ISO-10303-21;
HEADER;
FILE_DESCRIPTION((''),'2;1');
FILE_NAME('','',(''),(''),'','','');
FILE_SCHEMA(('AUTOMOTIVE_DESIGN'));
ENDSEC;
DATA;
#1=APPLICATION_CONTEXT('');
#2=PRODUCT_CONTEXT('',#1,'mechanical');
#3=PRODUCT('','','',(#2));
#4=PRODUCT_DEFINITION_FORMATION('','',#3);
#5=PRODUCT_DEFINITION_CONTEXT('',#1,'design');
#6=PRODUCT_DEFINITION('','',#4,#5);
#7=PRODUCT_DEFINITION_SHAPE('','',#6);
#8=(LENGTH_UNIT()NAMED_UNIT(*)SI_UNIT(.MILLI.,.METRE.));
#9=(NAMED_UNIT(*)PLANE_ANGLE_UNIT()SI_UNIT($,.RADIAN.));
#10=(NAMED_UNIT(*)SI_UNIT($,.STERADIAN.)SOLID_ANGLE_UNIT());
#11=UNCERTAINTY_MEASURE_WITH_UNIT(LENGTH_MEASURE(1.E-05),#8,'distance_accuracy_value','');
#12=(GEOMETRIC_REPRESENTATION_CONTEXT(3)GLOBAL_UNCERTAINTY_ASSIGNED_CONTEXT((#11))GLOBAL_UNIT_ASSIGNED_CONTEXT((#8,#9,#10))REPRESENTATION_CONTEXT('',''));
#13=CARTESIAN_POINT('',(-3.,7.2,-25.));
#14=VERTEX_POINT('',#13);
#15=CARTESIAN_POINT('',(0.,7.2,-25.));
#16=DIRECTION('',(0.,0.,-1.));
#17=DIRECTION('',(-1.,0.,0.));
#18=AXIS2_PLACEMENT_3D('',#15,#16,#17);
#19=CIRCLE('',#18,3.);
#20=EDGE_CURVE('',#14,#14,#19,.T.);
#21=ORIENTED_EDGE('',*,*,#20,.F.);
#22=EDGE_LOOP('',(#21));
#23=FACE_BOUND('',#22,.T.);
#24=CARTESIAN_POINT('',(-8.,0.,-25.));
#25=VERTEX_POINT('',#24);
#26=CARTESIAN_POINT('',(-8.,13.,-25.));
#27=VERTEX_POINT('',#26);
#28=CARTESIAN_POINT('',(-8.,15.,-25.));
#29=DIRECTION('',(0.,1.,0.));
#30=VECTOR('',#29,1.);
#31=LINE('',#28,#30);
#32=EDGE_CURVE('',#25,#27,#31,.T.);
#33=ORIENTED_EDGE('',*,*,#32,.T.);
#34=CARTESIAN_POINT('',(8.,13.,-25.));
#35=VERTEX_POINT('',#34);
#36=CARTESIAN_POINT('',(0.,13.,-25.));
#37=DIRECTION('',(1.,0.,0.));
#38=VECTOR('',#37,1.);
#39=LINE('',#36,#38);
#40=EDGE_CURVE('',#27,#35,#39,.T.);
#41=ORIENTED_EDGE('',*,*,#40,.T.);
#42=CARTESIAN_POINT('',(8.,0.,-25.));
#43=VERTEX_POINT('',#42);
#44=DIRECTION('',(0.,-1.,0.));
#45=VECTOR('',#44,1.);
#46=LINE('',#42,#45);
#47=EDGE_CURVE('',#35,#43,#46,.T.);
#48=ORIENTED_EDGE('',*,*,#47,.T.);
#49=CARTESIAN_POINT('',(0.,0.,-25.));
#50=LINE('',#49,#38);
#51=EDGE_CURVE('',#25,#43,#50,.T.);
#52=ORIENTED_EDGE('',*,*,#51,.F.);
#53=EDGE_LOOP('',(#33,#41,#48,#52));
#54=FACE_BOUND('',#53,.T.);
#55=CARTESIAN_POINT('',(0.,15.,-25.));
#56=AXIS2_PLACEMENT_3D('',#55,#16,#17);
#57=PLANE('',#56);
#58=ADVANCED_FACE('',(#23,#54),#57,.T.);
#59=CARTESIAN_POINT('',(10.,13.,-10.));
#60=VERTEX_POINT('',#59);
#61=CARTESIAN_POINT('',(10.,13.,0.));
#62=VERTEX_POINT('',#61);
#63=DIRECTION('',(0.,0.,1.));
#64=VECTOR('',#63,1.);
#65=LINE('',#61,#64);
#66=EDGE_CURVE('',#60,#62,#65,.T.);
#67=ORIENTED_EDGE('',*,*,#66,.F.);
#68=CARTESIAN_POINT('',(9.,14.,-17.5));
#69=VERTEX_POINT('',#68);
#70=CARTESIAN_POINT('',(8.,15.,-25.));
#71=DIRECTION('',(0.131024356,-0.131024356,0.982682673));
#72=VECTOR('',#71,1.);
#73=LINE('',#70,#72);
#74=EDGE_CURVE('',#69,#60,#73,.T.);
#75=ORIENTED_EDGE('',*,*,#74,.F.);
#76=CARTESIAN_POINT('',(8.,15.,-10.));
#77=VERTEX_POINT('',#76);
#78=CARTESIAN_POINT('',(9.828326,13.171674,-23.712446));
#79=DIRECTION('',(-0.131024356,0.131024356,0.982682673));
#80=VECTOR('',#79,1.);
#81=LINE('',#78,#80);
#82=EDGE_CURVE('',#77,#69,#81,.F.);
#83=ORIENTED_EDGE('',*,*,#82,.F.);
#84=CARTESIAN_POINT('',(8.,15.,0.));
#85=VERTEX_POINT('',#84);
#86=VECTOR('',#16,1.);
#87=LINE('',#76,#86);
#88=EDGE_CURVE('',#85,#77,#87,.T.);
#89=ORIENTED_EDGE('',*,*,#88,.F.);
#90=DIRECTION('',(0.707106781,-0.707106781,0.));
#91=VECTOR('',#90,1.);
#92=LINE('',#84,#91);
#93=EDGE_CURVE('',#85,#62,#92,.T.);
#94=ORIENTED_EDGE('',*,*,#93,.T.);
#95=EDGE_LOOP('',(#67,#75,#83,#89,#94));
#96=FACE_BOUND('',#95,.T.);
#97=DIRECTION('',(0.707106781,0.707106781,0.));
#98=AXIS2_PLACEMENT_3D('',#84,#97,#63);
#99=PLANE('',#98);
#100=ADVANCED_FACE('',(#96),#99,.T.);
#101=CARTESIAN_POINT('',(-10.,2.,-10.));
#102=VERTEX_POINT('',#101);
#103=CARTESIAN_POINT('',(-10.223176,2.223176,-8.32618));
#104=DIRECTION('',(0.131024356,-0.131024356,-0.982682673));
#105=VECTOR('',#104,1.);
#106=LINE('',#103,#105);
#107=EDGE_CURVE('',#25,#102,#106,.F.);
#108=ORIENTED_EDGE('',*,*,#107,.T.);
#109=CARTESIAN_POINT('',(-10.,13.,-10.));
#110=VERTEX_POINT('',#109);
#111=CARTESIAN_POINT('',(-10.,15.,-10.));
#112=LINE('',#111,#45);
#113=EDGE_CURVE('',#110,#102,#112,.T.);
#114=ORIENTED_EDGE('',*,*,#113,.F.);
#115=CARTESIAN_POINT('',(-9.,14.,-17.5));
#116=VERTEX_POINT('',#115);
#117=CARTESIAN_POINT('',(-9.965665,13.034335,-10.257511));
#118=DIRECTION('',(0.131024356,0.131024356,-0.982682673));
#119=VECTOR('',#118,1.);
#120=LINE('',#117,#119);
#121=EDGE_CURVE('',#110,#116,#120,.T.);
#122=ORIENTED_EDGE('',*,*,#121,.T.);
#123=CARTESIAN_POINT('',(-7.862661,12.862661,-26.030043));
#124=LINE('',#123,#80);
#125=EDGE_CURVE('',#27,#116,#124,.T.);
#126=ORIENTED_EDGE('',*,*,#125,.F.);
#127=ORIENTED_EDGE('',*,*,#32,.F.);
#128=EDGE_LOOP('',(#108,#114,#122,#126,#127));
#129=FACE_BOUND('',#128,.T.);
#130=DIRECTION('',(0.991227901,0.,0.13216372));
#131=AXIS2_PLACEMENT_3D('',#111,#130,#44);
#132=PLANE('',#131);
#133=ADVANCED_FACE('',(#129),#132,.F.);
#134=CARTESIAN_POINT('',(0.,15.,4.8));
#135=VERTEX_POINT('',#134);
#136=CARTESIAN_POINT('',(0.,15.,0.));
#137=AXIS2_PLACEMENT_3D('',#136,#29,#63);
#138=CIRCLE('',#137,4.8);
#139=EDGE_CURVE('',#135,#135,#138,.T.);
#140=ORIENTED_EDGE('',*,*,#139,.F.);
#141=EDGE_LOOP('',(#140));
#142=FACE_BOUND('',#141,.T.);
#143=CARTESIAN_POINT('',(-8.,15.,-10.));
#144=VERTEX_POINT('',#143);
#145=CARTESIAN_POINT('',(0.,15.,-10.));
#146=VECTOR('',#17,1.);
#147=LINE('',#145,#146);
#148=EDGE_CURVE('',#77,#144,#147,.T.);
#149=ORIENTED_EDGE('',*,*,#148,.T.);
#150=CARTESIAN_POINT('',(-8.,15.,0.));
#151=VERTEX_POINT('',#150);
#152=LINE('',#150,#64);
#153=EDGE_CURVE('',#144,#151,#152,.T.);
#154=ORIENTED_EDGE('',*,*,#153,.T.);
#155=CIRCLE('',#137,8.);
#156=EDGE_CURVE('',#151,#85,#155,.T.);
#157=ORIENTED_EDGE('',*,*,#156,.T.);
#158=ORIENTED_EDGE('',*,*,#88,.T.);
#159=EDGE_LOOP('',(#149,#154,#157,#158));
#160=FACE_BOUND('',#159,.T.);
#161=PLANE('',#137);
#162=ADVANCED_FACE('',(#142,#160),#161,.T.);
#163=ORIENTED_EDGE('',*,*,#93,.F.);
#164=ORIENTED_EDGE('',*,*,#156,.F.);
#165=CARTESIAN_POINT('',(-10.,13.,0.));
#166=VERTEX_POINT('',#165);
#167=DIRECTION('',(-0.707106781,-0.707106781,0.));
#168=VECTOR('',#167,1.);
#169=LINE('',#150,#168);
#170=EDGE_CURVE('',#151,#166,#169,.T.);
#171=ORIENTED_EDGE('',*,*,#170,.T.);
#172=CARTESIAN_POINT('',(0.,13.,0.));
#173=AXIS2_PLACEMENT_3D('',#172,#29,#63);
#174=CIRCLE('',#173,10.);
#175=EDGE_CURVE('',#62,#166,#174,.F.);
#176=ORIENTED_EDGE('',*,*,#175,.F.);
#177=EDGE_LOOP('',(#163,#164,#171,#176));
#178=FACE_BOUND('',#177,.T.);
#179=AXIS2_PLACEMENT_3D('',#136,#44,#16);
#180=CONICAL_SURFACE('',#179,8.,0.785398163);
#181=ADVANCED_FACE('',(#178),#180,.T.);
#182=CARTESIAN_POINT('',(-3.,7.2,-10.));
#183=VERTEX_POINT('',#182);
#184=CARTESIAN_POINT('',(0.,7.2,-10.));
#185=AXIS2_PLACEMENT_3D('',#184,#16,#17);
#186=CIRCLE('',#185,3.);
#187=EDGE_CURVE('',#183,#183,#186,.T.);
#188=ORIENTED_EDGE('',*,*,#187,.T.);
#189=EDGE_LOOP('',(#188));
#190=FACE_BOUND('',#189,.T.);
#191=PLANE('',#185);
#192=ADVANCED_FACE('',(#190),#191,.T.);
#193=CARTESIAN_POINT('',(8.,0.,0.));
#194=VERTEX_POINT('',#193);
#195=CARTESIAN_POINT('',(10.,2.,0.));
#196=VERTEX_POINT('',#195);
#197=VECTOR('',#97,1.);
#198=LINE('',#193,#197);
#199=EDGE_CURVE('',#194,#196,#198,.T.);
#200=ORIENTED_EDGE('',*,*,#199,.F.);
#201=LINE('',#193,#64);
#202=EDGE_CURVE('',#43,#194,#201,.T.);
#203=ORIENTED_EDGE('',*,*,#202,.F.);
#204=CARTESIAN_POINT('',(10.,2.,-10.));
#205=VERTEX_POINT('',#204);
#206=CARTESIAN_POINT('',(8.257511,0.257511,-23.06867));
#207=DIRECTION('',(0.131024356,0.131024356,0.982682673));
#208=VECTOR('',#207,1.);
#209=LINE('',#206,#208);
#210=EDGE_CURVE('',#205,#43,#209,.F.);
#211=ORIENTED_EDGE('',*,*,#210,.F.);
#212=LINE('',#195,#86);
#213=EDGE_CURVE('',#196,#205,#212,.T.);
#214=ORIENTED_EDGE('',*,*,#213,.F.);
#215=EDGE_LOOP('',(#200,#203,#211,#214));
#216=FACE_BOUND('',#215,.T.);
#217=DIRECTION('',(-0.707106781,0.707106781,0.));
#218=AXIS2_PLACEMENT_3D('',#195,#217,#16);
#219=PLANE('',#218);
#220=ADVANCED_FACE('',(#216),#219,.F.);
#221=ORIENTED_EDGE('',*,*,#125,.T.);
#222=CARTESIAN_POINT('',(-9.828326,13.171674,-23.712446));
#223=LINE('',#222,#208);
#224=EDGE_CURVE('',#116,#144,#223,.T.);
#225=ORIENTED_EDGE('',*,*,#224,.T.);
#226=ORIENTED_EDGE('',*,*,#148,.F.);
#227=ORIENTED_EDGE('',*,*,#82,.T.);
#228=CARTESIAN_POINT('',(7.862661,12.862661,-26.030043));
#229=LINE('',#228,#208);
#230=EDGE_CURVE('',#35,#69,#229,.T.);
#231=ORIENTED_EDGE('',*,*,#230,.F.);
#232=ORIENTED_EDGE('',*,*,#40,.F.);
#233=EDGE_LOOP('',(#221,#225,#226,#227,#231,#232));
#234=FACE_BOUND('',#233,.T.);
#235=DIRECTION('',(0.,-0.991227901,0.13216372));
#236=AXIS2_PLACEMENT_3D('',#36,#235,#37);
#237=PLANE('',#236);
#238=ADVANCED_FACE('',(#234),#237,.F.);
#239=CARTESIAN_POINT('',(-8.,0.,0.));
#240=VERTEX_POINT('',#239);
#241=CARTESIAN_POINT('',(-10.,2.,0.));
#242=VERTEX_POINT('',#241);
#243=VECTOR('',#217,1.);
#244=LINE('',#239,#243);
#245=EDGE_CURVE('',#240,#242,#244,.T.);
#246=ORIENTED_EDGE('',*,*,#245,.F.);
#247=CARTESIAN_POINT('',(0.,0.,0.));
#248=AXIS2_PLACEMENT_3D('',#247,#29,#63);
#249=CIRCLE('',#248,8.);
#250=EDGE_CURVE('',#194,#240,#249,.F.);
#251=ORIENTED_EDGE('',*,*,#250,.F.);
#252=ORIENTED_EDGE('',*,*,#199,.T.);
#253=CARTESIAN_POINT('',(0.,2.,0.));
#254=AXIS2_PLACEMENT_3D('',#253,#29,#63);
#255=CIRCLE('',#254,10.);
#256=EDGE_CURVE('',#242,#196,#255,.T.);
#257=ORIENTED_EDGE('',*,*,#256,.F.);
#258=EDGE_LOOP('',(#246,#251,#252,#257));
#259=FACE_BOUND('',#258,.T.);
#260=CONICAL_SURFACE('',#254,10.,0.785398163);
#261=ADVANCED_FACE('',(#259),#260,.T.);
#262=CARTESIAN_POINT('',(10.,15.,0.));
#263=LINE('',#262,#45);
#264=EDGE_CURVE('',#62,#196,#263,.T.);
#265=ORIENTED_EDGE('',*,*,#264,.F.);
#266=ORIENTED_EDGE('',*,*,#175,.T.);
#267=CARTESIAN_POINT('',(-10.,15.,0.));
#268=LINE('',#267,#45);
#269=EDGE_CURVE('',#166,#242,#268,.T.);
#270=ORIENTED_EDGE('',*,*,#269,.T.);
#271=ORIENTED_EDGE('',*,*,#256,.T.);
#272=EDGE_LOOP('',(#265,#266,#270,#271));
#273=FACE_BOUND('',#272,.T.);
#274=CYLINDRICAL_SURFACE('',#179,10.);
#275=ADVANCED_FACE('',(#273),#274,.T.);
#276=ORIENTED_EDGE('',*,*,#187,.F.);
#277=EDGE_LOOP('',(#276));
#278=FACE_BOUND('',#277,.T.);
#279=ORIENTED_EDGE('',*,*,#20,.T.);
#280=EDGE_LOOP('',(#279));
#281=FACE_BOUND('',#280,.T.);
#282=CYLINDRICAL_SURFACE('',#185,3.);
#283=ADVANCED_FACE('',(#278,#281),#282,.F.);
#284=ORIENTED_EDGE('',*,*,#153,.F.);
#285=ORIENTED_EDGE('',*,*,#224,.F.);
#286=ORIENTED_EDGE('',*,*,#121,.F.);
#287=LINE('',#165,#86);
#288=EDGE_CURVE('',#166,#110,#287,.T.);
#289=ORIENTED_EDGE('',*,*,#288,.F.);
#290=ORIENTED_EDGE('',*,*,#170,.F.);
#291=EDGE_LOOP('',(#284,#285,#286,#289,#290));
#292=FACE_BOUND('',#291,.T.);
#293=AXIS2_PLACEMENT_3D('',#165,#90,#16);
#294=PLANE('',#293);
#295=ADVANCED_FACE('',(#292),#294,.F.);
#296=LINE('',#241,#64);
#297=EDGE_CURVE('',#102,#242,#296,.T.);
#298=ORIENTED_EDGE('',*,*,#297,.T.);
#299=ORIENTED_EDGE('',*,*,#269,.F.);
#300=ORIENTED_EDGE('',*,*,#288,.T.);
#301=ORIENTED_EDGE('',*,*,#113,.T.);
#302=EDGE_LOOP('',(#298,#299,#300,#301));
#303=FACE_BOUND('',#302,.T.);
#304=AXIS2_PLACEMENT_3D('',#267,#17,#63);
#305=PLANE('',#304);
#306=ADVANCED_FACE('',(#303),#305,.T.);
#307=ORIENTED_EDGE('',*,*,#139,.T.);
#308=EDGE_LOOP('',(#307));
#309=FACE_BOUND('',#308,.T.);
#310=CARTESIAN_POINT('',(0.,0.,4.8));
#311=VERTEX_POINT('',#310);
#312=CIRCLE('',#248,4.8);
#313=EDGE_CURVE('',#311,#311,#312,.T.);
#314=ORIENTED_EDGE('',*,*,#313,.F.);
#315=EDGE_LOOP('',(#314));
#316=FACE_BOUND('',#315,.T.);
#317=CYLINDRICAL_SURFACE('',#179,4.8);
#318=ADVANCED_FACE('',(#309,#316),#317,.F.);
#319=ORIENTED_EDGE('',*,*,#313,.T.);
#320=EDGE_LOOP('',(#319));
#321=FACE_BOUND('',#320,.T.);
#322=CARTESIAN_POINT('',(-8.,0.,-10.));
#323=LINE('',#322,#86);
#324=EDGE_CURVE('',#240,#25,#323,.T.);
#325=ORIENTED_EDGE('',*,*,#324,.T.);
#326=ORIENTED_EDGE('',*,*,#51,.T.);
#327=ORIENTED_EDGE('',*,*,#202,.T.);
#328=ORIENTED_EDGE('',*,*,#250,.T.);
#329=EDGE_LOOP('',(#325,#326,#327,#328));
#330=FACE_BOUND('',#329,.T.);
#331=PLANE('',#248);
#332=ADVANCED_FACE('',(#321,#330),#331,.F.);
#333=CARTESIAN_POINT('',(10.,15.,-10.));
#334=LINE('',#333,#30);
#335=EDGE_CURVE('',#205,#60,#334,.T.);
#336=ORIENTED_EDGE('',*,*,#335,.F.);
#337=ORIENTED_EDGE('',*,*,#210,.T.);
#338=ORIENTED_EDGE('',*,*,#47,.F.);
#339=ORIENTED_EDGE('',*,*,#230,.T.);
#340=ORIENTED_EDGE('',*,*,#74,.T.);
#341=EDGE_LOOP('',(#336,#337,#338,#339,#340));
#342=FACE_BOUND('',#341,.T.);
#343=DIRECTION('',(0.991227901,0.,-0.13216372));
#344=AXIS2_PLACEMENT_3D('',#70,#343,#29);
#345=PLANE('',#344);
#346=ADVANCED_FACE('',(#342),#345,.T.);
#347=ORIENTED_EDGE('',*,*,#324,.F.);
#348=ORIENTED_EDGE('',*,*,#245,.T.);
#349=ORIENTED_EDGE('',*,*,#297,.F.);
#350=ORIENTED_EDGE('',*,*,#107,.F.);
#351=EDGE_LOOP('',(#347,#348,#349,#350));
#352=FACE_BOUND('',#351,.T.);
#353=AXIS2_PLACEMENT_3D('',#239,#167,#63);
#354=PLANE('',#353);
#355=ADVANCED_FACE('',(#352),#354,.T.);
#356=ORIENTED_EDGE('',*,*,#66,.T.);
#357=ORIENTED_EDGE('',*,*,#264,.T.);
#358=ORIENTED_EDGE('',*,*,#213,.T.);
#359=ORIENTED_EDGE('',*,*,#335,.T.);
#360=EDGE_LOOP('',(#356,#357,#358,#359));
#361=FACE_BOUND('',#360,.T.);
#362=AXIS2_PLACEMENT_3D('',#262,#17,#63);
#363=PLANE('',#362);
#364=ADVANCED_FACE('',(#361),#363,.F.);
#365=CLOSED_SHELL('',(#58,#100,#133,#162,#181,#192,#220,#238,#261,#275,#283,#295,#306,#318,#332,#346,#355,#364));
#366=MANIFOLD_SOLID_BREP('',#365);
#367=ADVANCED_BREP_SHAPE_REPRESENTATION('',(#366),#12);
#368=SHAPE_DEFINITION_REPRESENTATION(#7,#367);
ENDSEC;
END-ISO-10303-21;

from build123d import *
from OCP.BRepFilletAPI import BRepFilletAPI_MakeChamfer

# Parameters (mm, degrees)
BOSS_EXTRUDE1_DEPTH = 15
CHAMFER1_SIZE       = 15
CHAMFER1_SIZE2      = 2
SKETCH2_R           = 3
CUT_EXTRUDE1_DEPTH  = 15
CHAMFER2_SIZE       = 2


with BuildPart() as part:
    # Sketch1 → Boss-Extrude1 (new body)
    with BuildSketch(Plane(origin=(0, 0, 0), x_dir=(1, 0, 0), z_dir=(0, 1, 0))):
        with BuildLine():
            ThreePointArc((-10, 0), (0, 10), (10, 0))
            Line((10, 0), (10, 25))
            Line((10, 25), (-10, 25))
            Line((-10, 25), (-10, 0))
        make_face()
        with BuildLine():
            ThreePointArc((-4.8, 0), (0, 4.8), (4.8, 0))
            Line((4.8, 0), (10, 0))
            ThreePointArc((10, 0), (0, 10), (-10, 0))
            Line((-10, 0), (-4.8, 0))
        make_face()
        with BuildLine():
            Line((10, 0), (4.8, 0))
            ThreePointArc((4.8, 0), (0, -4.8), (-4.8, 0))
            Line((-4.8, 0), (-10, 0))
            ThreePointArc((-10, 0), (0, -10), (10, 0))
        make_face()
    extrude(amount=BOSS_EXTRUDE1_DEPTH)

    # Chamfer1: one chamfer whose edges measure the first distance from different faces: ONE call of the kernel's chamfer builder (chamfer() names one face for all edges)
    chamfer1_edges_1 = [part.edges().sort_by_distance(p)[0] for p in [
        (-10, 7.5, -25),
    ]]
    chamfer1_side_1 = [part.faces().sort_by_distance(p)[0] for p in [
        (-10, 7.5, -12.5),
    ]]
    chamfer1_edges_2 = [part.edges().sort_by_distance(p)[0] for p in [
        (10, 7.5, -25),
    ]]
    chamfer1_side_2 = [part.faces().sort_by_distance(p)[0] for p in [
        (10, 7.5, -12.5),
    ]]
    chamfer1_edges_3 = [part.edges().sort_by_distance(p)[0] for p in [
        (0, 15, -25),
    ]]
    chamfer1_side_3 = [part.faces().sort_by_distance(p)[0] for p in [
        (0, 15, -9.549099972),
    ]]
    chamfer1 = BRepFilletAPI_MakeChamfer(part.part.solid().wrapped)
    for e in chamfer1_edges_1:
        chamfer1.Add(CHAMFER1_SIZE, CHAMFER1_SIZE2, e.wrapped, chamfer1_side_1[0].wrapped)  # the first distance lies on this face
    for e in chamfer1_edges_2:
        chamfer1.Add(CHAMFER1_SIZE, CHAMFER1_SIZE2, e.wrapped, chamfer1_side_2[0].wrapped)  # the first distance lies on this face
    for e in chamfer1_edges_3:
        chamfer1.Add(CHAMFER1_SIZE, CHAMFER1_SIZE2, e.wrapped, chamfer1_side_3[0].wrapped)  # the first distance lies on this face
    add(Compound.cast(chamfer1.Shape()), mode=Mode.REPLACE)

    # Sketch2 → Cut-Extrude1 (cut)
    with BuildSketch(Plane(origin=(0, 0, -25), x_dir=(-1, 0, 0), z_dir=(0, 0, -1))):
        with Locations((0, 7.2)):
            Circle(SKETCH2_R)
    extrude(amount=-CUT_EXTRUDE1_DEPTH, mode=Mode.SUBTRACT)

    # Chamfer2
    chamfer2_edges = [part.edges().sort_by_distance(p)[0] for p in [
        (0, 0, 10),
        (0, 15, 10),
        (-10, 15, -5),
        (-10, 0, -5),
        (10, 0, -5),
        (10, 15, -5),
    ]]
    chamfer(chamfer2_edges, length=CHAMFER2_SIZE)


solid = part.part
